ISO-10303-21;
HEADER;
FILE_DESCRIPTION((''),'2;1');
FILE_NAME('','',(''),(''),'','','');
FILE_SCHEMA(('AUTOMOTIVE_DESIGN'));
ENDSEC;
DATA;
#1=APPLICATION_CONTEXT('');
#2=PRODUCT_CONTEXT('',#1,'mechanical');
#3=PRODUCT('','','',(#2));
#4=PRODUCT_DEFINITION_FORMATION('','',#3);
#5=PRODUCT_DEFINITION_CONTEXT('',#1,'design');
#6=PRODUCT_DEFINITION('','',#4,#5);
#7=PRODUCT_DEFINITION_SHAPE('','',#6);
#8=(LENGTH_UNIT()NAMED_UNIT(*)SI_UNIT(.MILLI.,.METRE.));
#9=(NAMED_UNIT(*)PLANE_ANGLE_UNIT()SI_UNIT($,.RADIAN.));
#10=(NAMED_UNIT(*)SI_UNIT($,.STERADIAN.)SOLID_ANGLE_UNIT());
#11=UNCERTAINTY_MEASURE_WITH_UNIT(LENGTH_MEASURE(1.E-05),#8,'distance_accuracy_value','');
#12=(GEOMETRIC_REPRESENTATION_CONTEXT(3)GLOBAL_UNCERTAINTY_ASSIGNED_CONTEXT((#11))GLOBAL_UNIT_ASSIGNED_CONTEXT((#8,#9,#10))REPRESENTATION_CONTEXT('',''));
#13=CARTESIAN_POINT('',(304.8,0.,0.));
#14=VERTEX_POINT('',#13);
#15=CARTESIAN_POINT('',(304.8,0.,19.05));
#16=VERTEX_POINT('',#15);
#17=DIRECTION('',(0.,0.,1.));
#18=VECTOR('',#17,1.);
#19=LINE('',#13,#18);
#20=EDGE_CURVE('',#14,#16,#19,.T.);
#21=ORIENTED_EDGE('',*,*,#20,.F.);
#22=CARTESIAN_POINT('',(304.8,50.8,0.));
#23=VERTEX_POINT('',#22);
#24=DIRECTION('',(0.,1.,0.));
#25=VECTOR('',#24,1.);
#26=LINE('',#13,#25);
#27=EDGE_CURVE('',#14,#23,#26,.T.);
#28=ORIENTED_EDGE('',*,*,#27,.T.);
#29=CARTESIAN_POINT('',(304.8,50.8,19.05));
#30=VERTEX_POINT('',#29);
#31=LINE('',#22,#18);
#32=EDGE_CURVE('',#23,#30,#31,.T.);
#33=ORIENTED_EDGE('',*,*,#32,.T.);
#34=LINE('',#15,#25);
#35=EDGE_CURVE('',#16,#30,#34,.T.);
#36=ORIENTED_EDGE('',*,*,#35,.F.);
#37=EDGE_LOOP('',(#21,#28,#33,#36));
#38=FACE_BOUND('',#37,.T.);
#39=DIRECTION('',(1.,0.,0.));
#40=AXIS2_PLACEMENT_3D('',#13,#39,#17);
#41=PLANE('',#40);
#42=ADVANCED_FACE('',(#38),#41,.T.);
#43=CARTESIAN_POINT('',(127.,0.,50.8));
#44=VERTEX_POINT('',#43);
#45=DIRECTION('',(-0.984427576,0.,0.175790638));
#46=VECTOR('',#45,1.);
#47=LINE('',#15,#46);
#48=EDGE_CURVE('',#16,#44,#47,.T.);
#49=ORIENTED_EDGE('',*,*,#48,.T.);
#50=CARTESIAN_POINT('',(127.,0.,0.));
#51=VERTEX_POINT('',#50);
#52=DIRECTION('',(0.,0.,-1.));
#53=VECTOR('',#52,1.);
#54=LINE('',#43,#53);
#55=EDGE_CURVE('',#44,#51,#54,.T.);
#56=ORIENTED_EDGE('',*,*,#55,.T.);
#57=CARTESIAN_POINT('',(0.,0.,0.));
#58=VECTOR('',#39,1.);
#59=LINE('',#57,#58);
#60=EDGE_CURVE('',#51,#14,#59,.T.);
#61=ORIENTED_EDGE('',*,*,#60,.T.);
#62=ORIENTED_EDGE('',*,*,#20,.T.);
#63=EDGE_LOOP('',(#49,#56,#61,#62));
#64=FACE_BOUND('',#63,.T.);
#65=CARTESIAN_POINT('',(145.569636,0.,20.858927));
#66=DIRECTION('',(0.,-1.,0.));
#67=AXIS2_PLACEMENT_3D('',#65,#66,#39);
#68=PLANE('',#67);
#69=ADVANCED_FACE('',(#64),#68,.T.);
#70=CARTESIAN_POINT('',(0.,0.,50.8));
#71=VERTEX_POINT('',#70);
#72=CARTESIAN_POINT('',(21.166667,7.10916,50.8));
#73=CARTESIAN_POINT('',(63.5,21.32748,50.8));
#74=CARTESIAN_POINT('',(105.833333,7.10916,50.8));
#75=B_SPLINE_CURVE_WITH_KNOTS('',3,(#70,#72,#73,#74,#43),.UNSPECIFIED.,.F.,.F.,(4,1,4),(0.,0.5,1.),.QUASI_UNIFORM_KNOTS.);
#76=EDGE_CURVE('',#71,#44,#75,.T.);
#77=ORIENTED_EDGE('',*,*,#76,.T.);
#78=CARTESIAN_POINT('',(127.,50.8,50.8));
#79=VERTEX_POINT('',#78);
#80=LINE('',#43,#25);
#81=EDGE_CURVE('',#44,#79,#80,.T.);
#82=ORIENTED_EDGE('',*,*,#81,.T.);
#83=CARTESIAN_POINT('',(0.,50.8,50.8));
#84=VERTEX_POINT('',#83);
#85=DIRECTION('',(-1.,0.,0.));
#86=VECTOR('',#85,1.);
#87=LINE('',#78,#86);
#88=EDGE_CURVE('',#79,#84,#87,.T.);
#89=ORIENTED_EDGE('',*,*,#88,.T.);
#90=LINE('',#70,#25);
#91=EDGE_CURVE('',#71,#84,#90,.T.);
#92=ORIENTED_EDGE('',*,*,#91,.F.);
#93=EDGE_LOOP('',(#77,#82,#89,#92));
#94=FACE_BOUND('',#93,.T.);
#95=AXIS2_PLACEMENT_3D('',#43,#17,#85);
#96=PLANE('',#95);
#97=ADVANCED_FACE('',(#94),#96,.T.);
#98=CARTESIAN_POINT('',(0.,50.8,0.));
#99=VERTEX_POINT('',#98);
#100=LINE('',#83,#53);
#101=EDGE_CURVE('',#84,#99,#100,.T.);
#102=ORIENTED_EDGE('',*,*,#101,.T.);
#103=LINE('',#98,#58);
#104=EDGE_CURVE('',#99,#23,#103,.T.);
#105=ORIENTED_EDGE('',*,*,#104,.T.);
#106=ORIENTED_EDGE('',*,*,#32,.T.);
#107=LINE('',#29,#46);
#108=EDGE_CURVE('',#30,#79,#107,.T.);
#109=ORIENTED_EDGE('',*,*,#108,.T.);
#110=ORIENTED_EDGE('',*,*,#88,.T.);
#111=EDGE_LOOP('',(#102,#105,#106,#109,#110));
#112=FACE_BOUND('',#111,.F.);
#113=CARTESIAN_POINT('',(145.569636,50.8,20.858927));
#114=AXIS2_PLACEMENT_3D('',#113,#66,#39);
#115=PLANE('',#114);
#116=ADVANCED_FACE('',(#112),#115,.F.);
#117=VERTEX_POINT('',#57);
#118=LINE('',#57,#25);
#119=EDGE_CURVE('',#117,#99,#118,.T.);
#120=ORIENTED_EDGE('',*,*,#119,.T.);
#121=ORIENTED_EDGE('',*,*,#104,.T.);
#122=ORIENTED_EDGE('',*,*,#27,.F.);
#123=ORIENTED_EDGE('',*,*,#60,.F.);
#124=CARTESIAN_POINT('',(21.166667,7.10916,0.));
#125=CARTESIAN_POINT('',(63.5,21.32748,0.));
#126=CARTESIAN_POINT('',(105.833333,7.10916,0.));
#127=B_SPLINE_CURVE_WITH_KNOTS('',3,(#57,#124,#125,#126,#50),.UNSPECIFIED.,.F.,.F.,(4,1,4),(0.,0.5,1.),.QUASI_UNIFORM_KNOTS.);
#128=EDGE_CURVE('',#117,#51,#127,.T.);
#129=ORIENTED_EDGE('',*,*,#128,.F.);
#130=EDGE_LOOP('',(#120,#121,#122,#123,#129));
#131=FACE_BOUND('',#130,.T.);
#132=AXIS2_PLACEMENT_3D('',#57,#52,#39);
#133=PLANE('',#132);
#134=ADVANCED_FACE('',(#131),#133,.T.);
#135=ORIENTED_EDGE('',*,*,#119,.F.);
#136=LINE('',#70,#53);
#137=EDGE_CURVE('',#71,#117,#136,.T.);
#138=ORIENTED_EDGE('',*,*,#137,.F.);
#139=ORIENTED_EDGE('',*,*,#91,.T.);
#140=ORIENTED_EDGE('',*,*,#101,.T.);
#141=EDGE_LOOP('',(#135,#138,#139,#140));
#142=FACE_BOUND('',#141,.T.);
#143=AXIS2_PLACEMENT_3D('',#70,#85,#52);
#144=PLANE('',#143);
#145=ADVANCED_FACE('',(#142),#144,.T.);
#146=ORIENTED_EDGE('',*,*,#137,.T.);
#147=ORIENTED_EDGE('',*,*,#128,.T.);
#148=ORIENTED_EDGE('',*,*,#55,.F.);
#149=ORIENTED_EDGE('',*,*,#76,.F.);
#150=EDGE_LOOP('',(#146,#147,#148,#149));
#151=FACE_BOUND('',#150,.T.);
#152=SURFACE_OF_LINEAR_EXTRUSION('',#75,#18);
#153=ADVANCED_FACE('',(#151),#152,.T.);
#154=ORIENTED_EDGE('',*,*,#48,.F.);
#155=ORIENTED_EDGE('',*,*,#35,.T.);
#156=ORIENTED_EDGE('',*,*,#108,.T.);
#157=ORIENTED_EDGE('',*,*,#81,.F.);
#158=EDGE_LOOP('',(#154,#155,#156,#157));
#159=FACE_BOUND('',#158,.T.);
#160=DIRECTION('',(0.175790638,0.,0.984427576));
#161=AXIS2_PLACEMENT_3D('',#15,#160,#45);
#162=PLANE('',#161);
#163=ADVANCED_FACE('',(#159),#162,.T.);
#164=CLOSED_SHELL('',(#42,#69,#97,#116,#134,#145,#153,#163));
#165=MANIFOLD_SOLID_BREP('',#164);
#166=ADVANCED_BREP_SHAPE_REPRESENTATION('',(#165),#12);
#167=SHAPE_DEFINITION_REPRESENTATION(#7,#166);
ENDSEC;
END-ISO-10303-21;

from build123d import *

# Parameters (mm, degrees)
F1_DEPTH = 50.8
F3_DEPTH = 50.8


with BuildPart() as f1:
    # F0 (on Front) → F1 (new body)
    with BuildSketch(Plane.XZ):
        Polygon((0, 50.8), (0, 0), (304.8, 0), (304.8, 19.05), (127, 50.8), align=None)
    extrude(amount=-F1_DEPTH)

    # F2 (on face) → F3 (cut)
    with BuildSketch(Plane.XY.offset(50.8)):
        with BuildLine():
            add(Edge.make_bspline(
                [(0, 0), (21.1666666667, 7.1091600694), (63.5, 21.3274802081), (105.8333333333, 7.1091600694), (127, 0)],
                knots=[0, 0, 0, 0, 0.5, 1, 1, 1, 1], degree=3))
            Line((0, 0), (127, 0))
        make_face()
    extrude(amount=-F3_DEPTH, mode=Mode.SUBTRACT)


solid = f1.part
